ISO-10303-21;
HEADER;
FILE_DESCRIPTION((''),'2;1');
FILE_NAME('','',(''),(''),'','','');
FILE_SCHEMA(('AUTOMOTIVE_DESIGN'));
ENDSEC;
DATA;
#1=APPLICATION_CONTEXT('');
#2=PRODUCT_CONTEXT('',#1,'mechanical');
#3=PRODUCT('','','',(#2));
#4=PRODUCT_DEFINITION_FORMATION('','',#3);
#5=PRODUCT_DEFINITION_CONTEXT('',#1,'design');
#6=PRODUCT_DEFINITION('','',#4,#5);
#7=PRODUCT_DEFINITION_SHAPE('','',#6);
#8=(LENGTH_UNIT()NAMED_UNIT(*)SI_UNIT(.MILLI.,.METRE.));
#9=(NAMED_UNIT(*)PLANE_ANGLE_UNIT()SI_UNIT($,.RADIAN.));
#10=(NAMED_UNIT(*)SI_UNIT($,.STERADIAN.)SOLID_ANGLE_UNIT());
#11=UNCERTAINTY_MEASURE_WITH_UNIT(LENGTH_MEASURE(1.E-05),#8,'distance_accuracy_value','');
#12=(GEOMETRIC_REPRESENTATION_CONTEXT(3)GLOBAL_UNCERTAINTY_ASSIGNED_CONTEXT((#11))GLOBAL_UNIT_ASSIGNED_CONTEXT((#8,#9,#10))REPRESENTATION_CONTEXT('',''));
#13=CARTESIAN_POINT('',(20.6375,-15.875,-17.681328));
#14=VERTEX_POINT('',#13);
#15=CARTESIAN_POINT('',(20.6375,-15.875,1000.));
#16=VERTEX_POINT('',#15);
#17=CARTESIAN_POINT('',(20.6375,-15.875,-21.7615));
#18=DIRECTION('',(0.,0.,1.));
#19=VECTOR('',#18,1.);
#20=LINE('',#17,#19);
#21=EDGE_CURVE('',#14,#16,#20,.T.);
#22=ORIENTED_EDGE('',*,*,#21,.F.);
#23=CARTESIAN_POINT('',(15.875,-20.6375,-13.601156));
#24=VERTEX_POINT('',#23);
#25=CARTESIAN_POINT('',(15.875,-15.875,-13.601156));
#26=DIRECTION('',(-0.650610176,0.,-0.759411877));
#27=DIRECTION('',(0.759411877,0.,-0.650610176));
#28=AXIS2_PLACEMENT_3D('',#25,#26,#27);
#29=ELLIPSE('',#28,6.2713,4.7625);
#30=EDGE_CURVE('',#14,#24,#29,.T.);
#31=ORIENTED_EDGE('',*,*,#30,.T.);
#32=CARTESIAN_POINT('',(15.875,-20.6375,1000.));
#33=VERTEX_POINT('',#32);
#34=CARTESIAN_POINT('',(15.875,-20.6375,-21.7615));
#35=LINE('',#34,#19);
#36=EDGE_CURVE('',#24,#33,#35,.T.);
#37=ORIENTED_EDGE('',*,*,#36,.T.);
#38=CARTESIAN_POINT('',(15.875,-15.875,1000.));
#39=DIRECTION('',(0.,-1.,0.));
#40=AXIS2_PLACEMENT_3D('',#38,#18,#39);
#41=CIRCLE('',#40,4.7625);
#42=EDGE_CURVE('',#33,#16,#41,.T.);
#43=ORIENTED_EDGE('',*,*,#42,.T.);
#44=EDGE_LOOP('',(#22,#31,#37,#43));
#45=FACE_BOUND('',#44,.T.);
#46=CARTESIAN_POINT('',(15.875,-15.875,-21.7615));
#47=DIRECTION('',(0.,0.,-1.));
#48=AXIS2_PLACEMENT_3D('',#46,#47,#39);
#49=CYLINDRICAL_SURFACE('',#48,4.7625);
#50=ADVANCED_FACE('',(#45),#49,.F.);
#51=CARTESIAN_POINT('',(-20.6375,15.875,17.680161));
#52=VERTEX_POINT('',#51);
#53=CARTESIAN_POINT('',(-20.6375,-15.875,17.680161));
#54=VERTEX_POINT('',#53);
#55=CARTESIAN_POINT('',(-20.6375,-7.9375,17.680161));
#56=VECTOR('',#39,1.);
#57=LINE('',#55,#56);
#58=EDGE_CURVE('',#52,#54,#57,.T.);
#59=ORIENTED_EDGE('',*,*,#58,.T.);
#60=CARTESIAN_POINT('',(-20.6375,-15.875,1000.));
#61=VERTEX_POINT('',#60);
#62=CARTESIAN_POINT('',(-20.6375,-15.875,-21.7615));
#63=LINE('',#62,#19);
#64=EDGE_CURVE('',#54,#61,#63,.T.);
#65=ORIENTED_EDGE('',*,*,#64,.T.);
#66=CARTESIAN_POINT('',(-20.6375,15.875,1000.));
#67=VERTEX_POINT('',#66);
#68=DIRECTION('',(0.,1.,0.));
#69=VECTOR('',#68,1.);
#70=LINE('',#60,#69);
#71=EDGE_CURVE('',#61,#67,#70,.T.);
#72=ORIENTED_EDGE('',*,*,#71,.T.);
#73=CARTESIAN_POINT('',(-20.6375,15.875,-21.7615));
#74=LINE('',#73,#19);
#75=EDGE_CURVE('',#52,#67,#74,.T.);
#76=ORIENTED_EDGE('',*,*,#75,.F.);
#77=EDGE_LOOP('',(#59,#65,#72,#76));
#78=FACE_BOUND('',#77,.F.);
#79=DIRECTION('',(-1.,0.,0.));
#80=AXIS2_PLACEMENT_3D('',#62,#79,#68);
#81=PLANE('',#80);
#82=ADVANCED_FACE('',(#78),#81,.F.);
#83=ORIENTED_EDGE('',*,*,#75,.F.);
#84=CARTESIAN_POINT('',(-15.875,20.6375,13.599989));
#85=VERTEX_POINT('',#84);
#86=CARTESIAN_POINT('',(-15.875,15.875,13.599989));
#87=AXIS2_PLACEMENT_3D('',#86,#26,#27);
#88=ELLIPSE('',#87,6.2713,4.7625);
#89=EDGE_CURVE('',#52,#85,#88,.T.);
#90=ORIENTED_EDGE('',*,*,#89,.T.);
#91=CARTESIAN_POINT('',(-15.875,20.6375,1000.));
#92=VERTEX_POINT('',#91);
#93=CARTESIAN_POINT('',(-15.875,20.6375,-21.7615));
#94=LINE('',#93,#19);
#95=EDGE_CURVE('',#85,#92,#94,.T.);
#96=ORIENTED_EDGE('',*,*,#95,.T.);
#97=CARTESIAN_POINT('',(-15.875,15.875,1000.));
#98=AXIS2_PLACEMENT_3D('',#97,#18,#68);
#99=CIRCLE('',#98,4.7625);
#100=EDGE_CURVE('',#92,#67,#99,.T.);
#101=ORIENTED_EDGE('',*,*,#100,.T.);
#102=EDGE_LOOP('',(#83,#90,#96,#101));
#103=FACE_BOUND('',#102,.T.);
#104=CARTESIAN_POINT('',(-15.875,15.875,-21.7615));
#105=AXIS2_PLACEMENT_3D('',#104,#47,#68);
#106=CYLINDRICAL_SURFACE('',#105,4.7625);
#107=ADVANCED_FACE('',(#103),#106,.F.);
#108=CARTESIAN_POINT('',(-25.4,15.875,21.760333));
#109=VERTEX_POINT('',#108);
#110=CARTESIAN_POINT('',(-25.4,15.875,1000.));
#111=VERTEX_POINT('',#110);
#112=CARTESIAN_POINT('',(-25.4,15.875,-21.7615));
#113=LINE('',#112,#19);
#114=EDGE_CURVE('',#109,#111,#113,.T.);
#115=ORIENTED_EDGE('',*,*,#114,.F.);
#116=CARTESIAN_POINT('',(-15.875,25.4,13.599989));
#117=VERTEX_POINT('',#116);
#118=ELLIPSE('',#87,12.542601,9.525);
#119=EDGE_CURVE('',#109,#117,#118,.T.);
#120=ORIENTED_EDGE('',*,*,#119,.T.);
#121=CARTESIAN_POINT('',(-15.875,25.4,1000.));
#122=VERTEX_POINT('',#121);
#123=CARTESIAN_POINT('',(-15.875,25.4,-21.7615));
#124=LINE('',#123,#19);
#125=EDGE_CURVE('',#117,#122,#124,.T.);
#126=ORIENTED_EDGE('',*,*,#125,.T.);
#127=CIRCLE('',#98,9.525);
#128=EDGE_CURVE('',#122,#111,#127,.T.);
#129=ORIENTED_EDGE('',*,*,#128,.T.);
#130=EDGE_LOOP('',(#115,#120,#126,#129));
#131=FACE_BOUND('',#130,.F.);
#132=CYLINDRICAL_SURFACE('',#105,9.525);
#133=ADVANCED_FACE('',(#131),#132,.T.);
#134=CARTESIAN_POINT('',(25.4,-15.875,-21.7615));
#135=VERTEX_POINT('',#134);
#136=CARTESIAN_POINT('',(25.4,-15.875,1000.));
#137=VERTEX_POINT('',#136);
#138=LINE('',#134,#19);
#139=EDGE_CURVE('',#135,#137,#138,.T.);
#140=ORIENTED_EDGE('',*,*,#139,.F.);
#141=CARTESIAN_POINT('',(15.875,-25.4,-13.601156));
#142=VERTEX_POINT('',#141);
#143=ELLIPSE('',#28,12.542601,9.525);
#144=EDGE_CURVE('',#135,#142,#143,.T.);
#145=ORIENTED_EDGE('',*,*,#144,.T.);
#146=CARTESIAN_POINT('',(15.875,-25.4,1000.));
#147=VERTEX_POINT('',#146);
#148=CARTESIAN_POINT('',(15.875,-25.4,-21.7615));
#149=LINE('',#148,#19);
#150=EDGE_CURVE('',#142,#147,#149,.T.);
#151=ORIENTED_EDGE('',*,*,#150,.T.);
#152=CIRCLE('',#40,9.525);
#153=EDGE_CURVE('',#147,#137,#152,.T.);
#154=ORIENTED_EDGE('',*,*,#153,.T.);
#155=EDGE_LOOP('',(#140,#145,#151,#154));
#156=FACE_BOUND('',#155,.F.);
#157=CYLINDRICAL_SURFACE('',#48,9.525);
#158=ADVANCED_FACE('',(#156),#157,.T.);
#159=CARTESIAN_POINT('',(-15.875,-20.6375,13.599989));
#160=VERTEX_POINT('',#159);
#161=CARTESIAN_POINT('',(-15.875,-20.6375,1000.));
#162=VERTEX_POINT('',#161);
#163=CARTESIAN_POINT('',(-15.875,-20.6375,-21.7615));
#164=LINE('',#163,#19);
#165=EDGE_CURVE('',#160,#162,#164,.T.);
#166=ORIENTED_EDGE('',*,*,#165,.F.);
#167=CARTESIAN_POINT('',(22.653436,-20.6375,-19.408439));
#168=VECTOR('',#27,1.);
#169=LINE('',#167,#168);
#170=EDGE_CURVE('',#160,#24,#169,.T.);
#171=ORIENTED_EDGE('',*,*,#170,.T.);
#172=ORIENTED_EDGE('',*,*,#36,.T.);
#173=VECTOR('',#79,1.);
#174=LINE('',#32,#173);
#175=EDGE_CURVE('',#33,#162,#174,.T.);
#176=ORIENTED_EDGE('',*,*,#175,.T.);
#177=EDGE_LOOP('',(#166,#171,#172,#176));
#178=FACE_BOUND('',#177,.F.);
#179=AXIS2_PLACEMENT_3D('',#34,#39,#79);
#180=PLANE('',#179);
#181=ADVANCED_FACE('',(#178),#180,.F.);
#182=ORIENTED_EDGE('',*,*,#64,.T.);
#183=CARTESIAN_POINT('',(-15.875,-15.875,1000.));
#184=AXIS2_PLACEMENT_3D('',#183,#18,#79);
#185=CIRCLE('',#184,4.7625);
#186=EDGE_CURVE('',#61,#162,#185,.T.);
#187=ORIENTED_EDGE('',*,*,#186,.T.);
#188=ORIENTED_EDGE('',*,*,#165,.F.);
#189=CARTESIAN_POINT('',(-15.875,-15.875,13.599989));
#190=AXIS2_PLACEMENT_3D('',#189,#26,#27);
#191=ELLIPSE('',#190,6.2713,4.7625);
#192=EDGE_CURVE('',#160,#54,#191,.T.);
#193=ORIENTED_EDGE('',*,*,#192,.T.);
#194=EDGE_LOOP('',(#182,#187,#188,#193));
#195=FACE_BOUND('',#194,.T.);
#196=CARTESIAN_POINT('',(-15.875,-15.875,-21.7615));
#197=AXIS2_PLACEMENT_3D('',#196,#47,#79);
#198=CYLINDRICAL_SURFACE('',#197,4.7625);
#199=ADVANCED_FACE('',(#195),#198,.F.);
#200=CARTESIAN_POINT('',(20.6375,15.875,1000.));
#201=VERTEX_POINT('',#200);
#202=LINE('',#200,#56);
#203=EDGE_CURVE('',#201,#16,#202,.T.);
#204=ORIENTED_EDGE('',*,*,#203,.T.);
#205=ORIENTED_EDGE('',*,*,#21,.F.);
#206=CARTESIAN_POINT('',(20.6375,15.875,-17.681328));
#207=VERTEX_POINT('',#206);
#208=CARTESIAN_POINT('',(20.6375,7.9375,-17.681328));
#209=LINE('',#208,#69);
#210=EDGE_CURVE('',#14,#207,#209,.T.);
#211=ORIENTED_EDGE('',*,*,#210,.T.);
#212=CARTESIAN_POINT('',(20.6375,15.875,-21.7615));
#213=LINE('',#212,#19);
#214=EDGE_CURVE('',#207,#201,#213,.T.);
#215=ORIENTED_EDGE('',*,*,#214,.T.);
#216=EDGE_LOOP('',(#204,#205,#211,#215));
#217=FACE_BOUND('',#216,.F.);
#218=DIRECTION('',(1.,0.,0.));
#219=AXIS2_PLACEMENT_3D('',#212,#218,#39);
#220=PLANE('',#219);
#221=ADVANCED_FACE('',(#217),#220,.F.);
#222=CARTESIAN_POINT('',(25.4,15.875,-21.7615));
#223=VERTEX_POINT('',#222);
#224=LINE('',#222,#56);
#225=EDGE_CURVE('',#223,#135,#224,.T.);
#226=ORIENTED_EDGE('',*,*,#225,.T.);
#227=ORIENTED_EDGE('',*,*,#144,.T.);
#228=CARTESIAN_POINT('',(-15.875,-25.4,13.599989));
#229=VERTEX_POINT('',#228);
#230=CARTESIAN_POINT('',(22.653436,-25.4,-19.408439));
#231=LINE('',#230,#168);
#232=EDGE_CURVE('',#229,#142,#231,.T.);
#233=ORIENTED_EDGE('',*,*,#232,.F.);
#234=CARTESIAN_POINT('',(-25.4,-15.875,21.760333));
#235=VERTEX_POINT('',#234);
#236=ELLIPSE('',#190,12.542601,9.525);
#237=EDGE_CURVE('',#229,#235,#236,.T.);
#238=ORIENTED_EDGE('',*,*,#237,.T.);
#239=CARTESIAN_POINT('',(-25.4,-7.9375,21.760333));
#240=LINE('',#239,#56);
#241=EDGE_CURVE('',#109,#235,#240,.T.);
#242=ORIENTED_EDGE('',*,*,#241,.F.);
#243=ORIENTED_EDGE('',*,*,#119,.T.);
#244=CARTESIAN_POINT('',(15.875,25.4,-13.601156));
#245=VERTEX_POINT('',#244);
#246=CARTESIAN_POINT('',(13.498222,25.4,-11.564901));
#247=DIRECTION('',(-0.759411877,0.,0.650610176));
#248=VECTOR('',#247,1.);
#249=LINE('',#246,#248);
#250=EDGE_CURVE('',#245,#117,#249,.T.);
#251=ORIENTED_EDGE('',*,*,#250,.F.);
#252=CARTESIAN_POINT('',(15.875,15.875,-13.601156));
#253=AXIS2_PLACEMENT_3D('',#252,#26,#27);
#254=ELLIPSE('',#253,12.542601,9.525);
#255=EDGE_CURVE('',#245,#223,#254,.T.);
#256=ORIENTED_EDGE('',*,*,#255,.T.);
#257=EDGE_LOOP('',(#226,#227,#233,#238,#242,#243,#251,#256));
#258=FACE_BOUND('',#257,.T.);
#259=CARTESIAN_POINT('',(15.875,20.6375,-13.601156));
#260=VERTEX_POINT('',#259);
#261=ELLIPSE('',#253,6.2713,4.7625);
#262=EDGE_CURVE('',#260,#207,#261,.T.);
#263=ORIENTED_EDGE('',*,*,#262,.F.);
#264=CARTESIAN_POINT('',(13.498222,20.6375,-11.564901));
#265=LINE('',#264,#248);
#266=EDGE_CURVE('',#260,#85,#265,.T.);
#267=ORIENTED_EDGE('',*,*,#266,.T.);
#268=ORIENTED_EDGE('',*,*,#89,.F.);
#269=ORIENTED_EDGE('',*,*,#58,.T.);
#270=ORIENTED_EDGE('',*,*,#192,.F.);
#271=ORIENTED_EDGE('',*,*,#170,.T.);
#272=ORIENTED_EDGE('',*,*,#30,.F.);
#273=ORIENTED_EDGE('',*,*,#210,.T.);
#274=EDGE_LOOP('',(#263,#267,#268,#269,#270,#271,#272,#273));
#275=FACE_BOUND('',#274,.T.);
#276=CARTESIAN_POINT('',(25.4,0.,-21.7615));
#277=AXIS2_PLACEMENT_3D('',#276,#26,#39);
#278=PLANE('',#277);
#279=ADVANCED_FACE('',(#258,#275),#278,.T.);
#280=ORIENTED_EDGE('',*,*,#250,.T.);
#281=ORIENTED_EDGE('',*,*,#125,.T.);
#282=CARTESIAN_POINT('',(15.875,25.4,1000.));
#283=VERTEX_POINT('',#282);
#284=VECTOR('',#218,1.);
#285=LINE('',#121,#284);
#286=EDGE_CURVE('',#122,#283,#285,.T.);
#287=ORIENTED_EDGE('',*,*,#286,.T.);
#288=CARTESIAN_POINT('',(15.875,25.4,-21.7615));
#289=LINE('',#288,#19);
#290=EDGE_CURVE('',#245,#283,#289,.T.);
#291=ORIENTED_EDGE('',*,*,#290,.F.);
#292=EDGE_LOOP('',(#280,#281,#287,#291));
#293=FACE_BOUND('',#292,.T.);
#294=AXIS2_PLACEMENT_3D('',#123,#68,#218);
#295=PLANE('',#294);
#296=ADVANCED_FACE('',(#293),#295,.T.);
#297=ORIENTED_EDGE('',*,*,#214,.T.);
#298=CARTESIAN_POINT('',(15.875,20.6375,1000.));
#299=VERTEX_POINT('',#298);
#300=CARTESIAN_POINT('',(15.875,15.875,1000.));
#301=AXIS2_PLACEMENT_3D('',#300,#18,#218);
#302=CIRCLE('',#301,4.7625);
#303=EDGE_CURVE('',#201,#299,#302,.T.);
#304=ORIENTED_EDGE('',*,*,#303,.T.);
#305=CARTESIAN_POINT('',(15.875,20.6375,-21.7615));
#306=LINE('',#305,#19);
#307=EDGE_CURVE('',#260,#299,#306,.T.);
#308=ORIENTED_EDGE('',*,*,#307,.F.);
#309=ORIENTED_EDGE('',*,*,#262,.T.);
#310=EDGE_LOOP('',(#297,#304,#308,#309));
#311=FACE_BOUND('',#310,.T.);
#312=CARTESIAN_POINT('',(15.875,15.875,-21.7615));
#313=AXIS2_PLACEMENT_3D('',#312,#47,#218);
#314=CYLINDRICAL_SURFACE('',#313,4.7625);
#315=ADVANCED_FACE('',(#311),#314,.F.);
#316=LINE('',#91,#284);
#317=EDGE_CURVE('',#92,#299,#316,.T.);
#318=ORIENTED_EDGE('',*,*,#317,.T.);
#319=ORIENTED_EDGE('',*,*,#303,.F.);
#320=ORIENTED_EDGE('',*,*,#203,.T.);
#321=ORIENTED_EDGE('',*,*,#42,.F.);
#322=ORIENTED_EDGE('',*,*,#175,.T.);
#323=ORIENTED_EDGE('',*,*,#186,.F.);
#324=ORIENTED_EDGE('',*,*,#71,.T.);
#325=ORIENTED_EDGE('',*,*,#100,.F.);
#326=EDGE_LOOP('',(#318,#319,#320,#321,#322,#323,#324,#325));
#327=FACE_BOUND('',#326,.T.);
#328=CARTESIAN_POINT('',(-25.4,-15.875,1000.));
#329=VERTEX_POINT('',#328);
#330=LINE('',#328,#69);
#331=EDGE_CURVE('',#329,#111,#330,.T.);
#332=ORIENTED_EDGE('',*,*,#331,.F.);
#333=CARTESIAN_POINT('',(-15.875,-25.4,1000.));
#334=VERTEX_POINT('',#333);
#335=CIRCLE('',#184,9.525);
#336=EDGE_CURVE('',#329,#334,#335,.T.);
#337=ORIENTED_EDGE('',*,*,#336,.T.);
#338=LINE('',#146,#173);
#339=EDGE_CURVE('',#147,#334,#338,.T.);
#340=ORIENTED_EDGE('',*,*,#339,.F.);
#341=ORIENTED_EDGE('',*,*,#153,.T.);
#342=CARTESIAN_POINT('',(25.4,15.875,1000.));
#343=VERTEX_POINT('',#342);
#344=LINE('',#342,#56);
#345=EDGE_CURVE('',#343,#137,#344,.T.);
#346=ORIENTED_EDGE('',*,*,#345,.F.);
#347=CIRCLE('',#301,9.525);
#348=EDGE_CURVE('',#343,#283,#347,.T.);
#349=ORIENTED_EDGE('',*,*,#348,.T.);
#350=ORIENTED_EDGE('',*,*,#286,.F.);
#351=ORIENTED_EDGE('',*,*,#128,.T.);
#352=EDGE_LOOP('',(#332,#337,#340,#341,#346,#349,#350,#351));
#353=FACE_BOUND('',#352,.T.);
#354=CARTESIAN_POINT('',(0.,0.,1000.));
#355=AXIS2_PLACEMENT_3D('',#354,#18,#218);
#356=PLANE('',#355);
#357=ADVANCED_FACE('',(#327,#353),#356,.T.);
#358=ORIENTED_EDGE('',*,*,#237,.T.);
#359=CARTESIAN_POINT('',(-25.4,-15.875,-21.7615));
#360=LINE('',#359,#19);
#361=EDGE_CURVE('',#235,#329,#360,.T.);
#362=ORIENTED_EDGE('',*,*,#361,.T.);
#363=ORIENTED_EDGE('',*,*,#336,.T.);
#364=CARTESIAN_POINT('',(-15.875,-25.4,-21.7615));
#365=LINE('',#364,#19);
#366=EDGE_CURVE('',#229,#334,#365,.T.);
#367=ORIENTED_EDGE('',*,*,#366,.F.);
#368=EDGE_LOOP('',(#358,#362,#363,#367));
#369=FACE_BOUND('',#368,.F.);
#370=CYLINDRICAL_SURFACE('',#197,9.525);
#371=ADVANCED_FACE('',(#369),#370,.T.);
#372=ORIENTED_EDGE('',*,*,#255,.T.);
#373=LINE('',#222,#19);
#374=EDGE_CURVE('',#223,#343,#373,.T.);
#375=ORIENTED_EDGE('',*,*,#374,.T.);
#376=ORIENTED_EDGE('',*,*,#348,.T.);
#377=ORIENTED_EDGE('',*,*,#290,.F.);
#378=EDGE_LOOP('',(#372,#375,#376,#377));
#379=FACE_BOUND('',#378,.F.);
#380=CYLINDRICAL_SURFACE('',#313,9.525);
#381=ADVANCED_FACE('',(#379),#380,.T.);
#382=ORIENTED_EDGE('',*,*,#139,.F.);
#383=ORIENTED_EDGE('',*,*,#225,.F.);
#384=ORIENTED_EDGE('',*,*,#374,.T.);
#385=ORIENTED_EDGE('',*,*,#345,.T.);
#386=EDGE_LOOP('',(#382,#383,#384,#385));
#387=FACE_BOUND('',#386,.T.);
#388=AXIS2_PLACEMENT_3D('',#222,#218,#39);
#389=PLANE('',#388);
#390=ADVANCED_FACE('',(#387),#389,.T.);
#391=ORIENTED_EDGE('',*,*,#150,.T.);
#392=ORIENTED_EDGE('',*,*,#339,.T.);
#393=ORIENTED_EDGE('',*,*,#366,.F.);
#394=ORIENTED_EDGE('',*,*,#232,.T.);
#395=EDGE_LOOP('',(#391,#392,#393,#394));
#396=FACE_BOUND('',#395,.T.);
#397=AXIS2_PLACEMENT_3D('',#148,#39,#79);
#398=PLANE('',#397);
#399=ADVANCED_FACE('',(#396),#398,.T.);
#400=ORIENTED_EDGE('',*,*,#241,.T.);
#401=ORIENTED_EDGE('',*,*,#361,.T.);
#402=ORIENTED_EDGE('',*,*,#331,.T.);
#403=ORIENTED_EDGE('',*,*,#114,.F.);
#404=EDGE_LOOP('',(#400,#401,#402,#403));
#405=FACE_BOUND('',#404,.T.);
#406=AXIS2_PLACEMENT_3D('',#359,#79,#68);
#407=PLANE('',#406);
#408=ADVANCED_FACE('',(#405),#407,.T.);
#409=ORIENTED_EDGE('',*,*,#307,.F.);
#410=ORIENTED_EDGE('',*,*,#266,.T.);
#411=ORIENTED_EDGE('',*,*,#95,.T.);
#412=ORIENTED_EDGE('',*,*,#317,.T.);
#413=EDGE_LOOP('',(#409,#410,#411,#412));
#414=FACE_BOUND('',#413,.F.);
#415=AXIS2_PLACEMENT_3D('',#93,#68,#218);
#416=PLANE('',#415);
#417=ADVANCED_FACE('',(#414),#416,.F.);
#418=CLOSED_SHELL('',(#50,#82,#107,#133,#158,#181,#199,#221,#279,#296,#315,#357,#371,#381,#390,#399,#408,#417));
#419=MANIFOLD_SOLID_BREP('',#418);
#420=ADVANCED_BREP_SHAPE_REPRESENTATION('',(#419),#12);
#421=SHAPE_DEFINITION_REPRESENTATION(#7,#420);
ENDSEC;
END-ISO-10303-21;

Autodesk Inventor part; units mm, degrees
ref_plane "Plano inicial" through (0, 0, -21.7615) normal (0, 0, 1) x (1, 0, 0)
ref_plane "Plano final" through (0, 0, 1000) normal (0, 0, 1) x (1, 0, 0)
sketch "Esboço" plane through (0, 0, 0) normal (0, 0, 1) x (1, 0, 0)
  line L0 (-25.4, -15.875) -> (-25.4, 15.875)
  line L1 (-15.875, 25.4) -> (15.875, 25.4)
  line L2 (25.4, 15.875) -> (25.4, -15.875)
  line L3 (15.875, -25.4) -> (-15.875, -25.4)
  arc A0 (-25.4, -15.875) -> (-15.875, -25.4) centre (-15.875, -15.875) ccw
  arc A1 (-15.875, 25.4) -> (-25.4, 15.875) centre (-15.875, 15.875) ccw
  arc A2 (25.4, 15.875) -> (15.875, 25.4) centre (15.875, 15.875) ccw
  arc A3 (15.875, -25.4) -> (25.4, -15.875) centre (15.875, -15.875) ccw
  arc A4 (-15.875, 20.6375) -> (-20.6375, 15.875) centre (-15.875, 15.875) ccw
  line L4 (-15.875, 20.6375) -> (15.875, 20.6375)
  arc A5 (20.6375, 15.875) -> (15.875, 20.6375) centre (15.875, 15.875) ccw
  line L5 (20.6375, 15.875) -> (20.6375, -15.875)
  arc A6 (15.875, -20.6375) -> (20.6375, -15.875) centre (15.875, -15.875) ccw
  line L6 (15.875, -20.6375) -> (-15.875, -20.6375)
  arc A7 (-20.6375, -15.875) -> (-15.875, -20.6375) centre (-15.875, -15.875) ccw
  line L7 (-20.6375, -15.875) -> (-20.6375, 15.875)
  line L8 (0, 38.3218) -> (0, -38.3218) construction
  line L9 (-38.3218, 0) -> (38.3218, 0) construction
  dimension "d10" = 50.8
  dimension "d11" = 50.8
  dimension "d12" = 4.7625
  dimension "d15" = 25.4
  dimension "d16" = 25.4
  dimension "d17" = 9.525
extrude "Corpo" add sketch "Esboço" along normal up to surface (1021.7615 mm away) from surface at -21.7615
sketch "Sketch3" plane through (0, 0, 0) normal (0, 0, 1) x (1, 0, 0)
  line L0 (0, 0) -> (10, 0)
ref_plane "Work Plane3" through (0, 0, 0) normal (0, -1, 0) x (1, 0, 0)
sketch "Sketch4" plane through (0, 0, 0) normal (0, -1, 0) x (1, 0, 0)
  line L0 (-2, -21.7615) -> (12, -21.7615)
  line L1 (-2, 1000) -> (12, 1000)
  dimension "d19" = 1021.7615
ref_plane "Plano de trabalho4" through (25.4, 0, -21.7615) normal (-0.6506, 0, -0.7594) x (-0.7594, 0, 0.6506)
split "Dividir1" plane through (25.4, 0, -21.7615) removes the side toward (-0.6506, 0, -0.7594)
equation "\"d10\" = G_H"
equation "\"d11\" = G_W"
equation "\"d12\" = G_T"
equation "\"d15\" = 0.5 * d10"
equation "\"d16\" = 0.5 * d11"
equation "\"d17\" = G_IR"
equation "\"d3\" = G_L"
equation "\"G_W\" = 50.8"
equation "\"G_H\" = 50.8"
equation "\"G_T\" = 4.7625"
equation "\"G_IR\" = 9.525"
equation "\"G_L\" = d19"
equation "\"G_OFFSET_START\" = 21.76147"
equation "\"G_OFFSET_END\" = 0"
equation "\"d13\" = -G_OFFSET_START"
properties part number "AISC - 2 x 2 x 3/16 - 40,227" material "Aço, suave"
